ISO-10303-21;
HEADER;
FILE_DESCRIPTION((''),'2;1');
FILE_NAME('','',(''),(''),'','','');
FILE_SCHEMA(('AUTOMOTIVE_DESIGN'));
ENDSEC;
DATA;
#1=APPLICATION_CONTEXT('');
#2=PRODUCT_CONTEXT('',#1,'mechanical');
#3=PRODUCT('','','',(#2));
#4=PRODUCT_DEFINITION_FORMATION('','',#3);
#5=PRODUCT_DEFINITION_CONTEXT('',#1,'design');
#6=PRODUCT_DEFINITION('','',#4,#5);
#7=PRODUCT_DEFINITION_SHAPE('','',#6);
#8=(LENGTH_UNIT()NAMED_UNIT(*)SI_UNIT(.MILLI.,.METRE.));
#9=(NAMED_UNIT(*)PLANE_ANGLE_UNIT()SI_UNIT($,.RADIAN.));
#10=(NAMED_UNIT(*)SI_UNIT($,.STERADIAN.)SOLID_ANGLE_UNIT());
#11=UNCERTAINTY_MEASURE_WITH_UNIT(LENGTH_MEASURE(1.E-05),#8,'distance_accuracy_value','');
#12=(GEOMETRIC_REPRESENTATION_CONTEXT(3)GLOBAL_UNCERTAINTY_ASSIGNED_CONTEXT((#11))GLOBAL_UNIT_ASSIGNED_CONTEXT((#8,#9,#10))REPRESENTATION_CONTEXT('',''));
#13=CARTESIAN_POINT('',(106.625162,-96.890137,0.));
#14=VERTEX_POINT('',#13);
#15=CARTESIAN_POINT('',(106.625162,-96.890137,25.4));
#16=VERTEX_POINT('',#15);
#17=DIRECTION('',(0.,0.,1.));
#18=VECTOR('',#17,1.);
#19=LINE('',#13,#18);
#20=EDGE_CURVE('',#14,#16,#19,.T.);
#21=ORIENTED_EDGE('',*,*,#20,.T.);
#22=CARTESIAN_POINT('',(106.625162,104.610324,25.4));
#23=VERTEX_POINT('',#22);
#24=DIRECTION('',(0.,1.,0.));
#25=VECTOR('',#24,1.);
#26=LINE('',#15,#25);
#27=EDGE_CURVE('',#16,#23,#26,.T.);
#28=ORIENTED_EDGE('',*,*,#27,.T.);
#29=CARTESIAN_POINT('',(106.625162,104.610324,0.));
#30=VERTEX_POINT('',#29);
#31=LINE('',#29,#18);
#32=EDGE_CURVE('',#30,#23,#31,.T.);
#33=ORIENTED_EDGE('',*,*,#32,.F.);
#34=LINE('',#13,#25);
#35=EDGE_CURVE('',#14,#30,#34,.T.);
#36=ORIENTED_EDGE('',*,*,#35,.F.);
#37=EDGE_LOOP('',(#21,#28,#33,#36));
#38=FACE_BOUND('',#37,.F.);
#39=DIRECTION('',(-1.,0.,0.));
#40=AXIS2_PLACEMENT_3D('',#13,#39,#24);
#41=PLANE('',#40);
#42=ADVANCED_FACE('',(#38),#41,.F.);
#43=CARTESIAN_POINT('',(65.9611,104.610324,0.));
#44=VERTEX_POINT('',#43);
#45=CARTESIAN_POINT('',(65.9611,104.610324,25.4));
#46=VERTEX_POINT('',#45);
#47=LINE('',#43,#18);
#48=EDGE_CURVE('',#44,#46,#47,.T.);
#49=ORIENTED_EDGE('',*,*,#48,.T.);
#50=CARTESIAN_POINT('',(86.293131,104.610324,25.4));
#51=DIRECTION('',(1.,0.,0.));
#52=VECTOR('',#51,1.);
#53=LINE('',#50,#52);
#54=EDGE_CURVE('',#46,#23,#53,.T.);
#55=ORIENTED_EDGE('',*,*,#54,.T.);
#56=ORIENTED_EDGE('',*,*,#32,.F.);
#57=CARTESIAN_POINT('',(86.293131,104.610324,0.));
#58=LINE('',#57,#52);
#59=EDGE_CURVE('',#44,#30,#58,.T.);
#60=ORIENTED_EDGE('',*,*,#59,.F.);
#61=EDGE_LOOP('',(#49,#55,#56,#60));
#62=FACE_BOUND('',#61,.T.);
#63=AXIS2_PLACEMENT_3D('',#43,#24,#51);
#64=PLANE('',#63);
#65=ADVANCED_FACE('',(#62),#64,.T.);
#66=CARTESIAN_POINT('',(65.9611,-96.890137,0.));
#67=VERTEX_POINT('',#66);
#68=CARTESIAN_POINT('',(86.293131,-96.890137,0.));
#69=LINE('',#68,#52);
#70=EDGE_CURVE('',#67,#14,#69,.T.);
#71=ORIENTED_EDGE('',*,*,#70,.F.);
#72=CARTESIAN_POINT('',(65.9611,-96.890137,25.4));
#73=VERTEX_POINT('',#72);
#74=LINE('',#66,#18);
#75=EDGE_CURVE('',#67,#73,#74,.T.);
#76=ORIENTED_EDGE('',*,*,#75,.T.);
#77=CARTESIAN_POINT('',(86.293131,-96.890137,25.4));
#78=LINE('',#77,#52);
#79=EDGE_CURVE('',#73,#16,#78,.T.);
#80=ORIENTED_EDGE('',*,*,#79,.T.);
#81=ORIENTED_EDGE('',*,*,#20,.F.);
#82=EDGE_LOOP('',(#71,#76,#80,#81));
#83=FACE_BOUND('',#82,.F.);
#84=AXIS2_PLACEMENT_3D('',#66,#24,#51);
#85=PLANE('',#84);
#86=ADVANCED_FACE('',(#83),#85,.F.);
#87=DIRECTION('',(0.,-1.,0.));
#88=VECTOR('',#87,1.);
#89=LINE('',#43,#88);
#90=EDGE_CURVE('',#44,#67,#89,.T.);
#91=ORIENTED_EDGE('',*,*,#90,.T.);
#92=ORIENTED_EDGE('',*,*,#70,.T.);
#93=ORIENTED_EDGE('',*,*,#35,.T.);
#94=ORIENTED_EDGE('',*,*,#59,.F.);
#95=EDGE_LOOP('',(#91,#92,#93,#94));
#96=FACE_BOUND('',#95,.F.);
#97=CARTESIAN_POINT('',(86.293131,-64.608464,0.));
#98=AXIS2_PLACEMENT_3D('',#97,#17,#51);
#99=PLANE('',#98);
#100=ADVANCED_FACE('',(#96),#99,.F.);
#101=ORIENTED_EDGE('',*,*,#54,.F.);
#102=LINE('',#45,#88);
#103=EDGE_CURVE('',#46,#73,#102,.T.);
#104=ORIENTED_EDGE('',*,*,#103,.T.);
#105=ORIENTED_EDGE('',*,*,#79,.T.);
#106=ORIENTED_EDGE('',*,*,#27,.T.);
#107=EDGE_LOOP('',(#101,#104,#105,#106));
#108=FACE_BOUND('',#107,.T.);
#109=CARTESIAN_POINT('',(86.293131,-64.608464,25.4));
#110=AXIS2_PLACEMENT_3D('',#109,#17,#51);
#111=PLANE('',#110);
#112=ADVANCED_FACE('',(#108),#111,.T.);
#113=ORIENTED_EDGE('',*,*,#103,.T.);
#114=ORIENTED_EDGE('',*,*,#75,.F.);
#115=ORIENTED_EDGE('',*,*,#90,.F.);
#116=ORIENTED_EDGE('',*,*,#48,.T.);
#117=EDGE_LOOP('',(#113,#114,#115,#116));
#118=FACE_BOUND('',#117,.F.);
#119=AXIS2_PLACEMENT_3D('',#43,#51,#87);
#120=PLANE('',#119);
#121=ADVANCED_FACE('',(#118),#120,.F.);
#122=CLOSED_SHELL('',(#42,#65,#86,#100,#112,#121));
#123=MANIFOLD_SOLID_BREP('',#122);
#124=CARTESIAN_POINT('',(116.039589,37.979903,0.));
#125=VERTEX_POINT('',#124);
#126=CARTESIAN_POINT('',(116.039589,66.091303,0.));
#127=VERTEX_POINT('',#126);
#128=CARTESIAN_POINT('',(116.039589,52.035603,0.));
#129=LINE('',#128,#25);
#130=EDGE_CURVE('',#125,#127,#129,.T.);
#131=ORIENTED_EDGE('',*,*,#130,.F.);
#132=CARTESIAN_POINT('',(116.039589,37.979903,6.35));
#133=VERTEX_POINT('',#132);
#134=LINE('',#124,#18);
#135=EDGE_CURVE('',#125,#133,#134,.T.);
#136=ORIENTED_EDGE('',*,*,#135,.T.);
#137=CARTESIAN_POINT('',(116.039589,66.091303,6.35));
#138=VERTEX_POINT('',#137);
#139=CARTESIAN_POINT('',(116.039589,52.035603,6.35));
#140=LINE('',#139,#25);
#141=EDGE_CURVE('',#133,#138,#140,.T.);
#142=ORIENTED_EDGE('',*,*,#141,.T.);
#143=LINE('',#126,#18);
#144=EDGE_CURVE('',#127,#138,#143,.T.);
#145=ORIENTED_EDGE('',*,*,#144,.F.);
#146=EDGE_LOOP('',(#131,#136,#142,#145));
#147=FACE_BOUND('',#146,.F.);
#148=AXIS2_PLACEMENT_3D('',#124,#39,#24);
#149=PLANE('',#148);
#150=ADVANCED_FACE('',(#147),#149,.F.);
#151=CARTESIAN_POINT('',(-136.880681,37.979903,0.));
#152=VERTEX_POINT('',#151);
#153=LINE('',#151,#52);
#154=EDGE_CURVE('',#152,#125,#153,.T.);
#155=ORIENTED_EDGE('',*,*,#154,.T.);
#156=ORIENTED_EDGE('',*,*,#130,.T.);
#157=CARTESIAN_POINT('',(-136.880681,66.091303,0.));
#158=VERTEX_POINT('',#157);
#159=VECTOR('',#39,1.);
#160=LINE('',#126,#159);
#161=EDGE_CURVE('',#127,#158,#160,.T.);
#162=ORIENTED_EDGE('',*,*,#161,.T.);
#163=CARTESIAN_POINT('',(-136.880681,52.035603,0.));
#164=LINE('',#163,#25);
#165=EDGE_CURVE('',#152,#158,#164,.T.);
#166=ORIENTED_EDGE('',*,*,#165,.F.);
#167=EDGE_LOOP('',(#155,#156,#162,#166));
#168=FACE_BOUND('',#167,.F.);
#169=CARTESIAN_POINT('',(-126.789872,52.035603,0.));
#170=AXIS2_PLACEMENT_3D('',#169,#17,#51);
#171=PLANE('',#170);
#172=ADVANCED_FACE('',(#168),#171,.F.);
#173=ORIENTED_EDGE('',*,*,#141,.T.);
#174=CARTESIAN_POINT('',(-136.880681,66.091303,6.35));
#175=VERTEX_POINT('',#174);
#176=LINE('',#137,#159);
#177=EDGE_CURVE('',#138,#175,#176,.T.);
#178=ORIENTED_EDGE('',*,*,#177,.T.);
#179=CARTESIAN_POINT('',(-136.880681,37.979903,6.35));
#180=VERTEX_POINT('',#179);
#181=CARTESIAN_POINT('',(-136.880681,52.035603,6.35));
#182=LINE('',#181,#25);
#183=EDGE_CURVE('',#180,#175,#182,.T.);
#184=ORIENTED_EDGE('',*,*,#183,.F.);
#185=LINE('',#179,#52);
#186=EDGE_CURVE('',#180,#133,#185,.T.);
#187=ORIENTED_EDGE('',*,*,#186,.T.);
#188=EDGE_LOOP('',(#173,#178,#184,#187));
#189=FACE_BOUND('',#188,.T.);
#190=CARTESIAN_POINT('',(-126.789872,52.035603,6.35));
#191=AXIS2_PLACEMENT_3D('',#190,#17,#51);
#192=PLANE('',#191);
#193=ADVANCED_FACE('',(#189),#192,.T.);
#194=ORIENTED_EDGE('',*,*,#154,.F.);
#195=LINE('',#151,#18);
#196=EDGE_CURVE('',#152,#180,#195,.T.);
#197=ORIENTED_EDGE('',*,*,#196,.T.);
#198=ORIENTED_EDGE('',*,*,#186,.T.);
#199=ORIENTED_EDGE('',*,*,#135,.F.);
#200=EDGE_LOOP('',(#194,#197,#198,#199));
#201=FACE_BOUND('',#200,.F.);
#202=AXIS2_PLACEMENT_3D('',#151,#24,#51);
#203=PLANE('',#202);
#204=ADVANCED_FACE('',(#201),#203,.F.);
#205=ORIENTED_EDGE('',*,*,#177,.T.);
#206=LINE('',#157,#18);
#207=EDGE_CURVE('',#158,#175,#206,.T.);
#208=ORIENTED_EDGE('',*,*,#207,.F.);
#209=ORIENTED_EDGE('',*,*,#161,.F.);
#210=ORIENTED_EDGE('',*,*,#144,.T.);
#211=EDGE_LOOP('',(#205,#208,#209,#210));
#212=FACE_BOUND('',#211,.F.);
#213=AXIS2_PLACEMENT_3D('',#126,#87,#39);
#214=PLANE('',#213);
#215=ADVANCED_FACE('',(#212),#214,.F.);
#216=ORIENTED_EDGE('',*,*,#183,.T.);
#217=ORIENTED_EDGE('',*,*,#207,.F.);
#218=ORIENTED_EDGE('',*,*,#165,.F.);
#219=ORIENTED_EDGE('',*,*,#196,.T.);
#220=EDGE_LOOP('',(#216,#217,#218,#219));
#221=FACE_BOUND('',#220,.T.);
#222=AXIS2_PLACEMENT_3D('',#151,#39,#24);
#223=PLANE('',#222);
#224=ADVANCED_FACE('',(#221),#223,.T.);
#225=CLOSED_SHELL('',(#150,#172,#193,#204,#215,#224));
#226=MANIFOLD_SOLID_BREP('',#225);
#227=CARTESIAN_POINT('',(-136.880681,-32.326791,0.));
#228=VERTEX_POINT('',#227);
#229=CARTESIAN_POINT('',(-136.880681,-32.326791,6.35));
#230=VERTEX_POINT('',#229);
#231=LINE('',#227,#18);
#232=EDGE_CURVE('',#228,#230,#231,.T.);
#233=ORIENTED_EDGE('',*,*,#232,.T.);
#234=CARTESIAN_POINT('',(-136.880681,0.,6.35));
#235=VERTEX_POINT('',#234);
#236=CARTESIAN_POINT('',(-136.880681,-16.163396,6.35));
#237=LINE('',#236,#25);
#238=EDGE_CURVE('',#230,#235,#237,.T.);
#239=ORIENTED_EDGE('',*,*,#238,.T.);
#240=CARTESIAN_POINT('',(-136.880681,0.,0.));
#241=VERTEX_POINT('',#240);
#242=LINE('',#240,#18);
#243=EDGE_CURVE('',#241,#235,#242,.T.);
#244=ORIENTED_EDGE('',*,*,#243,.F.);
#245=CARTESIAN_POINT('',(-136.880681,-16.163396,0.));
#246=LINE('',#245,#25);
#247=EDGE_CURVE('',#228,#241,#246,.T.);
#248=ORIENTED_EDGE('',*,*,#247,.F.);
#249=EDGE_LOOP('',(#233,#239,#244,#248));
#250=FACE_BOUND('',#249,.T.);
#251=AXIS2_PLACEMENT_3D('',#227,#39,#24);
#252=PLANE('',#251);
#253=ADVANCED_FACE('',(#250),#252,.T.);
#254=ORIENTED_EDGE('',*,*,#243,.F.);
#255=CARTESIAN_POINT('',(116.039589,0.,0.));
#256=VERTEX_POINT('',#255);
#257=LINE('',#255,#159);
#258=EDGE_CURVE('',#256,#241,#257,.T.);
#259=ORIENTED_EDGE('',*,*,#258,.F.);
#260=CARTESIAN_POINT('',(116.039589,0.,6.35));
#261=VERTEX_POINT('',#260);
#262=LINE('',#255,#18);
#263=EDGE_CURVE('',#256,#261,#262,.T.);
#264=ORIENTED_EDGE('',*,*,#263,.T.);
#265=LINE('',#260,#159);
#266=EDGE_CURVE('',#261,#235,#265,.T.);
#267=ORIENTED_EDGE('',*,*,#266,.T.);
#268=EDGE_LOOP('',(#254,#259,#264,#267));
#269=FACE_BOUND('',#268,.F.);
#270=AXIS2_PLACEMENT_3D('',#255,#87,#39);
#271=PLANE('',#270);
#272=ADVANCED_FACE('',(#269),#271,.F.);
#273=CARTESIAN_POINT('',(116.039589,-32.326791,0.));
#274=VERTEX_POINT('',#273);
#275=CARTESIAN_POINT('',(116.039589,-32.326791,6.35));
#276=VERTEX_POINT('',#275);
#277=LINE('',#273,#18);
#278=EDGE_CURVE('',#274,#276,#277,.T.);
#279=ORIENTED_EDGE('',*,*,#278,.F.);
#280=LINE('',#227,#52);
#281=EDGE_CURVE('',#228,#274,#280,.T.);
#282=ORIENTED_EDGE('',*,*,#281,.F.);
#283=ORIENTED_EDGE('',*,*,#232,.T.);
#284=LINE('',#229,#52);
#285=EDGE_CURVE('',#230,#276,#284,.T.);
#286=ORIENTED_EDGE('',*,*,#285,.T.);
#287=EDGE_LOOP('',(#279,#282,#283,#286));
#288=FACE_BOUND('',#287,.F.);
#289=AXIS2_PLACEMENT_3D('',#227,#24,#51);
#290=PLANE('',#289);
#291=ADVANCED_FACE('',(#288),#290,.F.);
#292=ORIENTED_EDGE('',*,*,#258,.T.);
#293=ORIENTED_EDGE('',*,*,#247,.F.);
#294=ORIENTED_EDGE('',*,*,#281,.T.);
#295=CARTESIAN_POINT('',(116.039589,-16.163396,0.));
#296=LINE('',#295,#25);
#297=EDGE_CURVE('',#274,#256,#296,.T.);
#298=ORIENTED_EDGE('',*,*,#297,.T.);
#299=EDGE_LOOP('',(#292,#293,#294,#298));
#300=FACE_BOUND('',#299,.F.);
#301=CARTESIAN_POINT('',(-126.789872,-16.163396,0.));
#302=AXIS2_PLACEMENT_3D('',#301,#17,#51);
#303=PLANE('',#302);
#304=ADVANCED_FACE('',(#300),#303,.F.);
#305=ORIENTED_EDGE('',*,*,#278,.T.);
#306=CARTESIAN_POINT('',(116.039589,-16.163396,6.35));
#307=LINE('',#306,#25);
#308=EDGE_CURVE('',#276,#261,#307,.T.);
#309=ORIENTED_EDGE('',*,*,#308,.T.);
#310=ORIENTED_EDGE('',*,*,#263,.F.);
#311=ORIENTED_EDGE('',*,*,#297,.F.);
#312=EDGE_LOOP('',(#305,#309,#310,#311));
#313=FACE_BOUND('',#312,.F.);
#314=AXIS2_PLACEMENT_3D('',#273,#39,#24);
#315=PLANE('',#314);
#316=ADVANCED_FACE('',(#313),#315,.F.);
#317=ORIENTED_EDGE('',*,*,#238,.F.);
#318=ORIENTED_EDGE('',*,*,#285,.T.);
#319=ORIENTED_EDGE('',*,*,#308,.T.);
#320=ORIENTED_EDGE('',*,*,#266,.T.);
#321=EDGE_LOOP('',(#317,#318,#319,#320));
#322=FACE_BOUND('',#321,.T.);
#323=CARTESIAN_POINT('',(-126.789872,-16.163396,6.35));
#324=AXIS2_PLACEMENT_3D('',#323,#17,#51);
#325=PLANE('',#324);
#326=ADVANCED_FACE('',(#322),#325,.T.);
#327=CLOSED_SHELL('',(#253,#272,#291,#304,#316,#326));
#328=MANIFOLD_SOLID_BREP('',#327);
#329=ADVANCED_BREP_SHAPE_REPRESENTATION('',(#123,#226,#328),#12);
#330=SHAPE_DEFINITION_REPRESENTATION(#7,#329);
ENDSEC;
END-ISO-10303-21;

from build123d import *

# Parameters (mm, degrees)
F0_W     = 20.1816186309
F0_H     = 28.1114000827
F0_W_2   = 35.2424010634
F0_W_3   = 81.4566612244
F0_W_4   = 22.8382814676
F0_W_5   = 43.1228186935
F0_W_6   = 40.664061904
F0_W_7   = 9.4144269824
F1_DEPTH = 6.35
F0_H_2   = 32.3267914355
F2_DEPTH = 6.35
F0_H_3   = 64.5633451641
F0_H_4   = 37.9799026996
F0_H_5   = 38.5190211236
F3_DEPTH = 25.4


with BuildPart() as f1:
    # F0 (on Top) → F1 (new body)
    with BuildSketch(Plane.XY):
        with Locations((-126.7898716033, 52.0356027409)):
            Rectangle(F0_W, F0_H)
        with Locations((-99.0778617561, 52.0356027409)):
            Rectangle(F0_W_2, F0_H)
        with Locations((-40.7283306122, 52.0356027409)):
            Rectangle(F0_W_3, F0_H)
        with Locations((11.4191407338, 52.0356027409)):
            Rectangle(F0_W_4, F0_H)
        with Locations((44.3996908143, 52.0356027409)):
            Rectangle(F0_W_5, F0_H)
        with Locations((86.2931311131, 52.0356027409)):
            Rectangle(F0_W_6, F0_H)
        with Locations((111.3323755562, 52.0356027409)):
            Rectangle(F0_W_7, F0_H)
    extrude(amount=F1_DEPTH)


with BuildPart() as f2:
    # F0 (on Top) → F2 (new body)
    with BuildSketch(Plane.XY):
        with Locations((-126.7898716033, -16.1633957177)):
            Rectangle(F0_W, F0_H_2)
        with Locations((-99.0778617561, -16.1633957177)):
            Rectangle(F0_W_2, F0_H_2)
        with Locations((-40.7283306122, -16.1633957177)):
            Rectangle(F0_W_3, F0_H_2)
        with Locations((11.4191407338, -16.1633957177)):
            Rectangle(F0_W_4, F0_H_2)
        with Locations((44.3996908143, -16.1633957177)):
            Rectangle(F0_W_5, F0_H_2)
        with Locations((86.2931311131, -16.1633957177)):
            Rectangle(F0_W_6, F0_H_2)
        with Locations((111.3323755562, -16.1633957177)):
            Rectangle(F0_W_7, F0_H_2)
    extrude(amount=F2_DEPTH)


with BuildPart() as f3:
    # F0 (on Top) → F3 (new body)
    with BuildSketch(Plane.XY):
        with Locations((86.2931311131, -64.6084640175)):
            Rectangle(F0_W_6, F0_H_3)
        with Locations((86.2931311131, 18.9899513498)):
            Rectangle(F0_W_6, F0_H_4)
        with Locations((86.2931311131, 85.3508133441)):
            Rectangle(F0_W_6, F0_H_5)
        with Locations((86.2931311131, -16.1633957177)):
            Rectangle(F0_W_6, F0_H_2)
        with Locations((86.2931311131, 52.0356027409)):
            Rectangle(F0_W_6, F0_H)
    extrude(amount=F3_DEPTH)


solid = Compound([f1.part, f2.part, f3.part])
